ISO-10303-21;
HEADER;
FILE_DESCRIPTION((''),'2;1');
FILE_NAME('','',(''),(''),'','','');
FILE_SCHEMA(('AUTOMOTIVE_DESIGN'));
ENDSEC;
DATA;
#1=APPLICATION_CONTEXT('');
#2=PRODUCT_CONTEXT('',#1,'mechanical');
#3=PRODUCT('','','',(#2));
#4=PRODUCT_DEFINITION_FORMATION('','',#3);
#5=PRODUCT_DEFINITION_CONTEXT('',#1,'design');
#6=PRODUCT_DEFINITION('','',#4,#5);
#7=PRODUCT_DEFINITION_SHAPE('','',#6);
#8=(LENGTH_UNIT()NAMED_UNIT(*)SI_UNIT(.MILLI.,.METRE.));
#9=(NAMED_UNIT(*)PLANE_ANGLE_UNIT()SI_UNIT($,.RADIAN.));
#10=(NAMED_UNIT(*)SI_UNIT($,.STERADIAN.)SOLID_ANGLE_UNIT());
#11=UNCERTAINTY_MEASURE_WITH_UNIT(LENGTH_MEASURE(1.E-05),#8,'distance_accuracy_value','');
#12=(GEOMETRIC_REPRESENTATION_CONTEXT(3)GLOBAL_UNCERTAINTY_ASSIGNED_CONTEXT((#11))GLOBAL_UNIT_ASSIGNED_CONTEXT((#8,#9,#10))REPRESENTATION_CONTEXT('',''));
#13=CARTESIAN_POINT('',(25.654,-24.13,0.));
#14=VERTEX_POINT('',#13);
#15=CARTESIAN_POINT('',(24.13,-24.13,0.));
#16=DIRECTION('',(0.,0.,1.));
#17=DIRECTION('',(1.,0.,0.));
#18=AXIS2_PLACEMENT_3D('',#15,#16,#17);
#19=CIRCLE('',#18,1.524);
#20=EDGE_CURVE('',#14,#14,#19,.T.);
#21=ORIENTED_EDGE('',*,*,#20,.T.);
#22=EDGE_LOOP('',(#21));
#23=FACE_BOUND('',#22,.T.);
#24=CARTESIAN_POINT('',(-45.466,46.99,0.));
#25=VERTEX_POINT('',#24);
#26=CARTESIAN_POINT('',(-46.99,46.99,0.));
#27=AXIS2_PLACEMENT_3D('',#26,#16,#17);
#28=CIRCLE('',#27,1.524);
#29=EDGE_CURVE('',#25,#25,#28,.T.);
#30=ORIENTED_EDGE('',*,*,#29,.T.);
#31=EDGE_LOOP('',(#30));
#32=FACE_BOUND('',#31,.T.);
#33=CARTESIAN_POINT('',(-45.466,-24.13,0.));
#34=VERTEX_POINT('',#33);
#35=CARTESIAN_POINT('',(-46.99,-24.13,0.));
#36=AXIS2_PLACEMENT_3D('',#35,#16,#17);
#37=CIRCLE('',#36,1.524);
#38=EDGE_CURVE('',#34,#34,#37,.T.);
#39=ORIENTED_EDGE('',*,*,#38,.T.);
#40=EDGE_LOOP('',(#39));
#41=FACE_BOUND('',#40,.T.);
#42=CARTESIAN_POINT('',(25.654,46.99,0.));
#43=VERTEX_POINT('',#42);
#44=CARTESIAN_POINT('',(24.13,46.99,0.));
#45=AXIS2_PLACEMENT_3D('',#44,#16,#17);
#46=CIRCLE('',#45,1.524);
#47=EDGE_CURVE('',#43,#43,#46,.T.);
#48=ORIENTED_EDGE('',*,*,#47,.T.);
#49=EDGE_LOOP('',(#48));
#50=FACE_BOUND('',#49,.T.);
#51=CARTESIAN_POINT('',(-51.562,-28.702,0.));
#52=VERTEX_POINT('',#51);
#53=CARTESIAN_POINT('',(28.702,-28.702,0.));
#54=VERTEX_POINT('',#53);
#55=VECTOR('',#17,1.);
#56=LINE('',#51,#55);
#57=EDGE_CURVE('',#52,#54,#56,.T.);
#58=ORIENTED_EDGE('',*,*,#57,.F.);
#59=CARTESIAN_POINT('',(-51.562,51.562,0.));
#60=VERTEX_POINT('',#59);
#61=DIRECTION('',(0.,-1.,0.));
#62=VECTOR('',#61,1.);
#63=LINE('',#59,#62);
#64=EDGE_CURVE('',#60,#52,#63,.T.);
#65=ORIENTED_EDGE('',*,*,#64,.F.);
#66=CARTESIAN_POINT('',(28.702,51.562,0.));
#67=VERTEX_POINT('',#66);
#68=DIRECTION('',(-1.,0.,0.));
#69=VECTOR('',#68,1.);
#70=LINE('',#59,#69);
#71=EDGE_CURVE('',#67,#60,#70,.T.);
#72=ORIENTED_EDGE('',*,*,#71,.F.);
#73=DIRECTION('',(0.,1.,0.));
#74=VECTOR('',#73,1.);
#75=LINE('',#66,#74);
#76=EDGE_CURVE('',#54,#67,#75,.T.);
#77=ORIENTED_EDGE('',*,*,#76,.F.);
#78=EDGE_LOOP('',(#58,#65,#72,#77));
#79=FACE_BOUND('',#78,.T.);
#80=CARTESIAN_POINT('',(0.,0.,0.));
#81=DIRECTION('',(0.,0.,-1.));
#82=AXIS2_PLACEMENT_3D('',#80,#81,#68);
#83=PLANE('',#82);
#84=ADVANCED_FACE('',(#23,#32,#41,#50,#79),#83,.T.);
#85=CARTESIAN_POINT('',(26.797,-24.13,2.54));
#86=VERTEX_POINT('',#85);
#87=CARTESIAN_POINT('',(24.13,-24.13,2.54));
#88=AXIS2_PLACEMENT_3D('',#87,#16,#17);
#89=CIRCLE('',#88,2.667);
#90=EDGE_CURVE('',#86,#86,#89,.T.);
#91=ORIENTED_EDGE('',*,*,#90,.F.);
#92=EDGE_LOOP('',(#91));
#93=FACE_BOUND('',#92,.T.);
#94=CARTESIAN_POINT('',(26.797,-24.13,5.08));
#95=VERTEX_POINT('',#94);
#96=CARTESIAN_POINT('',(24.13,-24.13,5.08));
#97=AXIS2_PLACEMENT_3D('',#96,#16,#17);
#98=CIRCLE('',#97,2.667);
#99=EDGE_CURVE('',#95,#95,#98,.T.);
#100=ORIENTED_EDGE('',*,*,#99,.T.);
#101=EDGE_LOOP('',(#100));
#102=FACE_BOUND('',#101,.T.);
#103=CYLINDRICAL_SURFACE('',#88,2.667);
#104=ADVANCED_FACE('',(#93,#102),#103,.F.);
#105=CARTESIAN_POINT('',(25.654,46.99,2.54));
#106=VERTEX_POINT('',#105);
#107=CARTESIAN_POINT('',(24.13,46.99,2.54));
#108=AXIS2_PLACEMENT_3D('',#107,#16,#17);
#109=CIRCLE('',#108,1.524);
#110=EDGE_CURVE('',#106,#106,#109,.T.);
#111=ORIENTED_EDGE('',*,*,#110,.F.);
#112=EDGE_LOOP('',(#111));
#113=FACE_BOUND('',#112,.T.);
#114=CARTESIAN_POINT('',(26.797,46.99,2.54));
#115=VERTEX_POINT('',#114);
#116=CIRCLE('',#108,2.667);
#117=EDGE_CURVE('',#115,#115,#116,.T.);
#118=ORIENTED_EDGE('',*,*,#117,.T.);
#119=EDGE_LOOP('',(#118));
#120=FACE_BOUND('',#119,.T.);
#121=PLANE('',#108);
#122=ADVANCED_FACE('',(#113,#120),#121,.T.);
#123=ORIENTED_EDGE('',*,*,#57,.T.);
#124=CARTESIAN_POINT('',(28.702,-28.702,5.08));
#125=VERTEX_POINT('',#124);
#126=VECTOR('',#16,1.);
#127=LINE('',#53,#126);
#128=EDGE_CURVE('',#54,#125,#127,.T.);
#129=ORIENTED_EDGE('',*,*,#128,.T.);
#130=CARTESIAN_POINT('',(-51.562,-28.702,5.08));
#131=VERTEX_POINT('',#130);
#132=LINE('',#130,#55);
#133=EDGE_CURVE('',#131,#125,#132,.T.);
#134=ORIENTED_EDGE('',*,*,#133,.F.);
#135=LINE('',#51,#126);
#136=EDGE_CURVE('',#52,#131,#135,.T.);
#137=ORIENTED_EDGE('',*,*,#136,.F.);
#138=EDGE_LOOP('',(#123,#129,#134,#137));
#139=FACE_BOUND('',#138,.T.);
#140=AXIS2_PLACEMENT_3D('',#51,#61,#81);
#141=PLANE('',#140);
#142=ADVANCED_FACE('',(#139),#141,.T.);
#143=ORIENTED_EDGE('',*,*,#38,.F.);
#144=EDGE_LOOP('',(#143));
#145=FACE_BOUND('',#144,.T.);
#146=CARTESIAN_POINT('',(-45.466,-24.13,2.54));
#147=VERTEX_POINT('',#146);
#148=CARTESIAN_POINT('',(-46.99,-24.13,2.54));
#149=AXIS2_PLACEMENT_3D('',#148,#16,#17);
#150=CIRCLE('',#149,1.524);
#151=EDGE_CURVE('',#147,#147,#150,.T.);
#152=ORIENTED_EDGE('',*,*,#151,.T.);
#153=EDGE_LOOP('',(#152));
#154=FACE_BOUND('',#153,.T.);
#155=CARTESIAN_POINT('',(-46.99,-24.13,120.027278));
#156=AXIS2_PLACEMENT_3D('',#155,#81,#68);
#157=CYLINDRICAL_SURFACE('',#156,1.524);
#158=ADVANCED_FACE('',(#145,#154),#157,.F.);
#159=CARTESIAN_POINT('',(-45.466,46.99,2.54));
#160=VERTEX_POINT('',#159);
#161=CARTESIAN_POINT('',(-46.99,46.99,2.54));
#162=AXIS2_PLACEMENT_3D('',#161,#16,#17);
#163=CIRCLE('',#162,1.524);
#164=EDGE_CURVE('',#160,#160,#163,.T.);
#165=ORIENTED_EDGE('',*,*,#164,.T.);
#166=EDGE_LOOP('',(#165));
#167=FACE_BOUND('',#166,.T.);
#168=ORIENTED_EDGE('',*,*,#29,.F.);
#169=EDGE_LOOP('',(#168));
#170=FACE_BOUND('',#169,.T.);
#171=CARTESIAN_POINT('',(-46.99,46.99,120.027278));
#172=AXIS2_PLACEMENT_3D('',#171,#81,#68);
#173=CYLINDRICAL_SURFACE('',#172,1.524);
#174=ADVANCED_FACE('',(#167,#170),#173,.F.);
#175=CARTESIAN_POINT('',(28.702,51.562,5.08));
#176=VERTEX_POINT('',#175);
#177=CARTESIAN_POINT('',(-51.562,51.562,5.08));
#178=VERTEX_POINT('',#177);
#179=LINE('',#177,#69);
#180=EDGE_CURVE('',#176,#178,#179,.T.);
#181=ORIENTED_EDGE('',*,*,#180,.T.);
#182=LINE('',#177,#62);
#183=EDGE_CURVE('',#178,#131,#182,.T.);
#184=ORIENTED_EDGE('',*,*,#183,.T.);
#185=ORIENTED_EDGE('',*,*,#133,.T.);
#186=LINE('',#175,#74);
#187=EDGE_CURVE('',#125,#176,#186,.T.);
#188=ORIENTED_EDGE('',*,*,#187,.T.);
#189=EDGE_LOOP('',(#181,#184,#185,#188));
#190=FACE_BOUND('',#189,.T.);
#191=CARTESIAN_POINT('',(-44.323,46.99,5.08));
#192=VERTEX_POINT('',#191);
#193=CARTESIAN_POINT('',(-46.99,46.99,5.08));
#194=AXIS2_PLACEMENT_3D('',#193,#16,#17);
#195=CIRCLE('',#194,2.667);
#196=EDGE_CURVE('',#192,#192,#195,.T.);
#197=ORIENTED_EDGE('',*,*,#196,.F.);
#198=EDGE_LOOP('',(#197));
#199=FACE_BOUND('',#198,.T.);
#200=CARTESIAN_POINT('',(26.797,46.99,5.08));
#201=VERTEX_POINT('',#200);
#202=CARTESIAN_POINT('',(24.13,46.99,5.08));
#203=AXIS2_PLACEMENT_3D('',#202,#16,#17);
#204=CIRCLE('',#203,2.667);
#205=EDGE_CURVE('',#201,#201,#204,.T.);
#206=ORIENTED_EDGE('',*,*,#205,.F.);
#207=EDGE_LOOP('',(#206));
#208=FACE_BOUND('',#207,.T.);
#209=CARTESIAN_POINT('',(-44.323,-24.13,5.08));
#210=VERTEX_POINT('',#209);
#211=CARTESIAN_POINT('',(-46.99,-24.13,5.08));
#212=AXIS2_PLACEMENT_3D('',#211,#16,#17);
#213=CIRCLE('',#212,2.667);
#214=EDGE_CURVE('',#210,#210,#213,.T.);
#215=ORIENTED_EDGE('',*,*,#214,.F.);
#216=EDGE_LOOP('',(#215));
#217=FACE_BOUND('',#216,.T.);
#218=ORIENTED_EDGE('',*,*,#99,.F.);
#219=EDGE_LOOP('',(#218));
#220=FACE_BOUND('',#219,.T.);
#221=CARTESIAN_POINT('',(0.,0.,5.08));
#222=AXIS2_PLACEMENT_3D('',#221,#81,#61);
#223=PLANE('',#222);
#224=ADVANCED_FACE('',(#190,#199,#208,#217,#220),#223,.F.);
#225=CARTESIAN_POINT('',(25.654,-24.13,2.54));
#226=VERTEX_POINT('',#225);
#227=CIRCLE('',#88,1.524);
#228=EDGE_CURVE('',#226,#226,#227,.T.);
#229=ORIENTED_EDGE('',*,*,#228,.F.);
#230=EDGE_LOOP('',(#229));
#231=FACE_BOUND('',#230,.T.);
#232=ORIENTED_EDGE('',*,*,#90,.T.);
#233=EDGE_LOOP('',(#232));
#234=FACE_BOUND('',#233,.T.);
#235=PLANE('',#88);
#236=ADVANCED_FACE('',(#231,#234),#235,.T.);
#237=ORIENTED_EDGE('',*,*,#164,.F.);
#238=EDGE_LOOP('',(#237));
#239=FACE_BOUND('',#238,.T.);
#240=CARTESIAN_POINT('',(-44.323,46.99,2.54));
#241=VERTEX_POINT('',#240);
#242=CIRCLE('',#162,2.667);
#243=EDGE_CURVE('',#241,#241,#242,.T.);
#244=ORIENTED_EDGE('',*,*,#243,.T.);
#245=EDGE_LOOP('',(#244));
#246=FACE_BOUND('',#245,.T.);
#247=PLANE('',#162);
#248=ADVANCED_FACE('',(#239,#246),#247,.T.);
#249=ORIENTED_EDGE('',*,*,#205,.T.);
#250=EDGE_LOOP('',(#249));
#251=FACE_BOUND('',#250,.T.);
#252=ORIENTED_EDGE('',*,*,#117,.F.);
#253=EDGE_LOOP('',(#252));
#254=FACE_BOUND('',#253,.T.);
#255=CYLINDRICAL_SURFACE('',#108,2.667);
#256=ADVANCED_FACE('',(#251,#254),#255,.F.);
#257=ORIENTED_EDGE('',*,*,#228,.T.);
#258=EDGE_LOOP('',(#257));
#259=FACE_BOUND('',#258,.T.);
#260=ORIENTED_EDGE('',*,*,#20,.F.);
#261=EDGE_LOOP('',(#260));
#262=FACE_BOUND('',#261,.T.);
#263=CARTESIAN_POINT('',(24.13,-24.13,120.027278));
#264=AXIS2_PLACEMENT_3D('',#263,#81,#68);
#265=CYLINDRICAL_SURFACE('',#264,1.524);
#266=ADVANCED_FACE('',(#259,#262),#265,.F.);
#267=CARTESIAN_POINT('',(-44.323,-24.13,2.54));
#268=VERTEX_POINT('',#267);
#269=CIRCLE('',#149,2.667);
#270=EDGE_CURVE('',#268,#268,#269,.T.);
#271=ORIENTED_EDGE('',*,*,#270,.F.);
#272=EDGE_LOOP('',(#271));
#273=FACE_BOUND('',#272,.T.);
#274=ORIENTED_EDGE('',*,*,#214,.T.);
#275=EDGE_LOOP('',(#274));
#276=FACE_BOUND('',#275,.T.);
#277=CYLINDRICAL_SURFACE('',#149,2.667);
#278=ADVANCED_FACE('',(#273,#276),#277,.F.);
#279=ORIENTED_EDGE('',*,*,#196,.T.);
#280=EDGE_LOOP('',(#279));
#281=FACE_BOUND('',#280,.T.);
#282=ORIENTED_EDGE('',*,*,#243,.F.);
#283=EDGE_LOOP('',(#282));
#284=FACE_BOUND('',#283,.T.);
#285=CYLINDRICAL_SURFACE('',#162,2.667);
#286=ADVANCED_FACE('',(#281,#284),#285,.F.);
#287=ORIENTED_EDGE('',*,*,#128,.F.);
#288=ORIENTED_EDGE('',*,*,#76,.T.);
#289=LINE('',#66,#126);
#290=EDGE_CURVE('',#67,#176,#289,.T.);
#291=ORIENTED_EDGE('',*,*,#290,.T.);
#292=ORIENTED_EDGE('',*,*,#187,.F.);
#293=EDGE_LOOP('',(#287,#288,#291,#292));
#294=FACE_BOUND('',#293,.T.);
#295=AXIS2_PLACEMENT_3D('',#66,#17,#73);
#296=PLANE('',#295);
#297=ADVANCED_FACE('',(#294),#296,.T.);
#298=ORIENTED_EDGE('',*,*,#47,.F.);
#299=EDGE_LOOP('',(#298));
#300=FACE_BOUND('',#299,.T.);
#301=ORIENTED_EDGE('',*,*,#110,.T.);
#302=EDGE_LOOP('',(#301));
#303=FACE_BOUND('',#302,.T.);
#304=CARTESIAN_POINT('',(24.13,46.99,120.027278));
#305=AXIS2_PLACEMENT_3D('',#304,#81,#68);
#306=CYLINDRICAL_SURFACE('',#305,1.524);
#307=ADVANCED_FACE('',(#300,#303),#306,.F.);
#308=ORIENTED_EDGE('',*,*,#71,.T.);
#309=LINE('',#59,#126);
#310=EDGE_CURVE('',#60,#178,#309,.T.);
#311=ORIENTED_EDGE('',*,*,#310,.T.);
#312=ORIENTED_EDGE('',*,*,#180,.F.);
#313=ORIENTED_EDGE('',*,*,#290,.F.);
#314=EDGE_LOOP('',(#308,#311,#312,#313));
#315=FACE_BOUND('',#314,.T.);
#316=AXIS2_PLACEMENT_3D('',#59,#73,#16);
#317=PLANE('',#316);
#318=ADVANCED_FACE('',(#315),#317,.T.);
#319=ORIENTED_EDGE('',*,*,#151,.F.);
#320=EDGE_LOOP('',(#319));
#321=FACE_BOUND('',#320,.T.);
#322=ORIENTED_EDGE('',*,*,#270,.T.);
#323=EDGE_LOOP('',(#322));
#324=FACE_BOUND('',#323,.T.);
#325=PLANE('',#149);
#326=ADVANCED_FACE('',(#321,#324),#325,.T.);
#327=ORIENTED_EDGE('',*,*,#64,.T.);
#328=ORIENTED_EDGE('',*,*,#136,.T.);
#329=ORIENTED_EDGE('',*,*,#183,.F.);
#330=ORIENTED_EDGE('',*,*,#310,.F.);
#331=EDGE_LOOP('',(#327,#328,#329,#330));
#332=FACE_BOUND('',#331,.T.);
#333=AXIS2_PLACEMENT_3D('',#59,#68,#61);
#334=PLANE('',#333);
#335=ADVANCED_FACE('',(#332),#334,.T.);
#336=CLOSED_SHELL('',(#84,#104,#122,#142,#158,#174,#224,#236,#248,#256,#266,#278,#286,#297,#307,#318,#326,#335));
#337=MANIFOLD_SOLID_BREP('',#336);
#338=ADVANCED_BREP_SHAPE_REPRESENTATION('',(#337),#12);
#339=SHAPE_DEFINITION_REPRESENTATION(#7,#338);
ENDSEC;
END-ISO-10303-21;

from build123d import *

# Parameters (mm, degrees)
SKETCH1_W           = 81.28
SKETCH1_H           = 81.28
SKETCH1_R           = 1.524
BOSS_EXTRUDE1_DEPTH = 5.08
SKETCH2_R           = 2.667
CUT_EXTRUDE1_DEPTH  = 2.54
SKETCH3_W           = 81.28
SKETCH3_H           = 81.28
SKETCH3_W_2         = 80.264
SKETCH3_H_2         = 80.264
CUT_EXTRUDE2_DEPTH  = 74.813116721


with BuildPart() as part:
    # Sketch1 → Boss-Extrude1 (new body)
    with BuildSketch(Plane.XY):
        with Locations((-11.43, 11.43)):
            Rectangle(SKETCH1_W, SKETCH1_H)
        with Locations(Location((-46.99, 46.99, 0), (0, 0, 180))):
            Circle(SKETCH1_R, mode=Mode.SUBTRACT)
        with Locations(Location((-46.99, -24.13, 0), (0, 0, 180))):
            Circle(SKETCH1_R, mode=Mode.SUBTRACT)
        with Locations(Location((24.13, -24.13, 0), (0, 0, 180))):
            Circle(SKETCH1_R, mode=Mode.SUBTRACT)
        with Locations(Location((24.13, 46.99, 0), (0, 0, 180))):
            Circle(SKETCH1_R, mode=Mode.SUBTRACT)
    extrude(amount=BOSS_EXTRUDE1_DEPTH)

    # Sketch2 → Cut-Extrude1 (cut)
    with BuildSketch(Plane.XY.offset(5.08)):
        with Locations((-46.99, -24.13)):
            Circle(SKETCH2_R)
        with Locations((-46.99, 46.99)):
            Circle(SKETCH2_R)
        with Locations((24.13, 46.99)):
            Circle(SKETCH2_R)
        with Locations((24.13, -24.13)):
            Circle(SKETCH2_R)
    extrude(amount=-CUT_EXTRUDE1_DEPTH, mode=Mode.SUBTRACT)

    # Sketch3 → Cut-Extrude2 (cut, through all)
    with BuildSketch(Plane.XY.offset(5.08)):
        with Locations((-11.43, 11.43)):
            Rectangle(SKETCH3_W, SKETCH3_H)
        with Locations((-11.43, 11.43)):
            Rectangle(SKETCH3_W_2, SKETCH3_H_2, mode=Mode.SUBTRACT)
    extrude(amount=-CUT_EXTRUDE2_DEPTH, mode=Mode.SUBTRACT)


solid = part.part
